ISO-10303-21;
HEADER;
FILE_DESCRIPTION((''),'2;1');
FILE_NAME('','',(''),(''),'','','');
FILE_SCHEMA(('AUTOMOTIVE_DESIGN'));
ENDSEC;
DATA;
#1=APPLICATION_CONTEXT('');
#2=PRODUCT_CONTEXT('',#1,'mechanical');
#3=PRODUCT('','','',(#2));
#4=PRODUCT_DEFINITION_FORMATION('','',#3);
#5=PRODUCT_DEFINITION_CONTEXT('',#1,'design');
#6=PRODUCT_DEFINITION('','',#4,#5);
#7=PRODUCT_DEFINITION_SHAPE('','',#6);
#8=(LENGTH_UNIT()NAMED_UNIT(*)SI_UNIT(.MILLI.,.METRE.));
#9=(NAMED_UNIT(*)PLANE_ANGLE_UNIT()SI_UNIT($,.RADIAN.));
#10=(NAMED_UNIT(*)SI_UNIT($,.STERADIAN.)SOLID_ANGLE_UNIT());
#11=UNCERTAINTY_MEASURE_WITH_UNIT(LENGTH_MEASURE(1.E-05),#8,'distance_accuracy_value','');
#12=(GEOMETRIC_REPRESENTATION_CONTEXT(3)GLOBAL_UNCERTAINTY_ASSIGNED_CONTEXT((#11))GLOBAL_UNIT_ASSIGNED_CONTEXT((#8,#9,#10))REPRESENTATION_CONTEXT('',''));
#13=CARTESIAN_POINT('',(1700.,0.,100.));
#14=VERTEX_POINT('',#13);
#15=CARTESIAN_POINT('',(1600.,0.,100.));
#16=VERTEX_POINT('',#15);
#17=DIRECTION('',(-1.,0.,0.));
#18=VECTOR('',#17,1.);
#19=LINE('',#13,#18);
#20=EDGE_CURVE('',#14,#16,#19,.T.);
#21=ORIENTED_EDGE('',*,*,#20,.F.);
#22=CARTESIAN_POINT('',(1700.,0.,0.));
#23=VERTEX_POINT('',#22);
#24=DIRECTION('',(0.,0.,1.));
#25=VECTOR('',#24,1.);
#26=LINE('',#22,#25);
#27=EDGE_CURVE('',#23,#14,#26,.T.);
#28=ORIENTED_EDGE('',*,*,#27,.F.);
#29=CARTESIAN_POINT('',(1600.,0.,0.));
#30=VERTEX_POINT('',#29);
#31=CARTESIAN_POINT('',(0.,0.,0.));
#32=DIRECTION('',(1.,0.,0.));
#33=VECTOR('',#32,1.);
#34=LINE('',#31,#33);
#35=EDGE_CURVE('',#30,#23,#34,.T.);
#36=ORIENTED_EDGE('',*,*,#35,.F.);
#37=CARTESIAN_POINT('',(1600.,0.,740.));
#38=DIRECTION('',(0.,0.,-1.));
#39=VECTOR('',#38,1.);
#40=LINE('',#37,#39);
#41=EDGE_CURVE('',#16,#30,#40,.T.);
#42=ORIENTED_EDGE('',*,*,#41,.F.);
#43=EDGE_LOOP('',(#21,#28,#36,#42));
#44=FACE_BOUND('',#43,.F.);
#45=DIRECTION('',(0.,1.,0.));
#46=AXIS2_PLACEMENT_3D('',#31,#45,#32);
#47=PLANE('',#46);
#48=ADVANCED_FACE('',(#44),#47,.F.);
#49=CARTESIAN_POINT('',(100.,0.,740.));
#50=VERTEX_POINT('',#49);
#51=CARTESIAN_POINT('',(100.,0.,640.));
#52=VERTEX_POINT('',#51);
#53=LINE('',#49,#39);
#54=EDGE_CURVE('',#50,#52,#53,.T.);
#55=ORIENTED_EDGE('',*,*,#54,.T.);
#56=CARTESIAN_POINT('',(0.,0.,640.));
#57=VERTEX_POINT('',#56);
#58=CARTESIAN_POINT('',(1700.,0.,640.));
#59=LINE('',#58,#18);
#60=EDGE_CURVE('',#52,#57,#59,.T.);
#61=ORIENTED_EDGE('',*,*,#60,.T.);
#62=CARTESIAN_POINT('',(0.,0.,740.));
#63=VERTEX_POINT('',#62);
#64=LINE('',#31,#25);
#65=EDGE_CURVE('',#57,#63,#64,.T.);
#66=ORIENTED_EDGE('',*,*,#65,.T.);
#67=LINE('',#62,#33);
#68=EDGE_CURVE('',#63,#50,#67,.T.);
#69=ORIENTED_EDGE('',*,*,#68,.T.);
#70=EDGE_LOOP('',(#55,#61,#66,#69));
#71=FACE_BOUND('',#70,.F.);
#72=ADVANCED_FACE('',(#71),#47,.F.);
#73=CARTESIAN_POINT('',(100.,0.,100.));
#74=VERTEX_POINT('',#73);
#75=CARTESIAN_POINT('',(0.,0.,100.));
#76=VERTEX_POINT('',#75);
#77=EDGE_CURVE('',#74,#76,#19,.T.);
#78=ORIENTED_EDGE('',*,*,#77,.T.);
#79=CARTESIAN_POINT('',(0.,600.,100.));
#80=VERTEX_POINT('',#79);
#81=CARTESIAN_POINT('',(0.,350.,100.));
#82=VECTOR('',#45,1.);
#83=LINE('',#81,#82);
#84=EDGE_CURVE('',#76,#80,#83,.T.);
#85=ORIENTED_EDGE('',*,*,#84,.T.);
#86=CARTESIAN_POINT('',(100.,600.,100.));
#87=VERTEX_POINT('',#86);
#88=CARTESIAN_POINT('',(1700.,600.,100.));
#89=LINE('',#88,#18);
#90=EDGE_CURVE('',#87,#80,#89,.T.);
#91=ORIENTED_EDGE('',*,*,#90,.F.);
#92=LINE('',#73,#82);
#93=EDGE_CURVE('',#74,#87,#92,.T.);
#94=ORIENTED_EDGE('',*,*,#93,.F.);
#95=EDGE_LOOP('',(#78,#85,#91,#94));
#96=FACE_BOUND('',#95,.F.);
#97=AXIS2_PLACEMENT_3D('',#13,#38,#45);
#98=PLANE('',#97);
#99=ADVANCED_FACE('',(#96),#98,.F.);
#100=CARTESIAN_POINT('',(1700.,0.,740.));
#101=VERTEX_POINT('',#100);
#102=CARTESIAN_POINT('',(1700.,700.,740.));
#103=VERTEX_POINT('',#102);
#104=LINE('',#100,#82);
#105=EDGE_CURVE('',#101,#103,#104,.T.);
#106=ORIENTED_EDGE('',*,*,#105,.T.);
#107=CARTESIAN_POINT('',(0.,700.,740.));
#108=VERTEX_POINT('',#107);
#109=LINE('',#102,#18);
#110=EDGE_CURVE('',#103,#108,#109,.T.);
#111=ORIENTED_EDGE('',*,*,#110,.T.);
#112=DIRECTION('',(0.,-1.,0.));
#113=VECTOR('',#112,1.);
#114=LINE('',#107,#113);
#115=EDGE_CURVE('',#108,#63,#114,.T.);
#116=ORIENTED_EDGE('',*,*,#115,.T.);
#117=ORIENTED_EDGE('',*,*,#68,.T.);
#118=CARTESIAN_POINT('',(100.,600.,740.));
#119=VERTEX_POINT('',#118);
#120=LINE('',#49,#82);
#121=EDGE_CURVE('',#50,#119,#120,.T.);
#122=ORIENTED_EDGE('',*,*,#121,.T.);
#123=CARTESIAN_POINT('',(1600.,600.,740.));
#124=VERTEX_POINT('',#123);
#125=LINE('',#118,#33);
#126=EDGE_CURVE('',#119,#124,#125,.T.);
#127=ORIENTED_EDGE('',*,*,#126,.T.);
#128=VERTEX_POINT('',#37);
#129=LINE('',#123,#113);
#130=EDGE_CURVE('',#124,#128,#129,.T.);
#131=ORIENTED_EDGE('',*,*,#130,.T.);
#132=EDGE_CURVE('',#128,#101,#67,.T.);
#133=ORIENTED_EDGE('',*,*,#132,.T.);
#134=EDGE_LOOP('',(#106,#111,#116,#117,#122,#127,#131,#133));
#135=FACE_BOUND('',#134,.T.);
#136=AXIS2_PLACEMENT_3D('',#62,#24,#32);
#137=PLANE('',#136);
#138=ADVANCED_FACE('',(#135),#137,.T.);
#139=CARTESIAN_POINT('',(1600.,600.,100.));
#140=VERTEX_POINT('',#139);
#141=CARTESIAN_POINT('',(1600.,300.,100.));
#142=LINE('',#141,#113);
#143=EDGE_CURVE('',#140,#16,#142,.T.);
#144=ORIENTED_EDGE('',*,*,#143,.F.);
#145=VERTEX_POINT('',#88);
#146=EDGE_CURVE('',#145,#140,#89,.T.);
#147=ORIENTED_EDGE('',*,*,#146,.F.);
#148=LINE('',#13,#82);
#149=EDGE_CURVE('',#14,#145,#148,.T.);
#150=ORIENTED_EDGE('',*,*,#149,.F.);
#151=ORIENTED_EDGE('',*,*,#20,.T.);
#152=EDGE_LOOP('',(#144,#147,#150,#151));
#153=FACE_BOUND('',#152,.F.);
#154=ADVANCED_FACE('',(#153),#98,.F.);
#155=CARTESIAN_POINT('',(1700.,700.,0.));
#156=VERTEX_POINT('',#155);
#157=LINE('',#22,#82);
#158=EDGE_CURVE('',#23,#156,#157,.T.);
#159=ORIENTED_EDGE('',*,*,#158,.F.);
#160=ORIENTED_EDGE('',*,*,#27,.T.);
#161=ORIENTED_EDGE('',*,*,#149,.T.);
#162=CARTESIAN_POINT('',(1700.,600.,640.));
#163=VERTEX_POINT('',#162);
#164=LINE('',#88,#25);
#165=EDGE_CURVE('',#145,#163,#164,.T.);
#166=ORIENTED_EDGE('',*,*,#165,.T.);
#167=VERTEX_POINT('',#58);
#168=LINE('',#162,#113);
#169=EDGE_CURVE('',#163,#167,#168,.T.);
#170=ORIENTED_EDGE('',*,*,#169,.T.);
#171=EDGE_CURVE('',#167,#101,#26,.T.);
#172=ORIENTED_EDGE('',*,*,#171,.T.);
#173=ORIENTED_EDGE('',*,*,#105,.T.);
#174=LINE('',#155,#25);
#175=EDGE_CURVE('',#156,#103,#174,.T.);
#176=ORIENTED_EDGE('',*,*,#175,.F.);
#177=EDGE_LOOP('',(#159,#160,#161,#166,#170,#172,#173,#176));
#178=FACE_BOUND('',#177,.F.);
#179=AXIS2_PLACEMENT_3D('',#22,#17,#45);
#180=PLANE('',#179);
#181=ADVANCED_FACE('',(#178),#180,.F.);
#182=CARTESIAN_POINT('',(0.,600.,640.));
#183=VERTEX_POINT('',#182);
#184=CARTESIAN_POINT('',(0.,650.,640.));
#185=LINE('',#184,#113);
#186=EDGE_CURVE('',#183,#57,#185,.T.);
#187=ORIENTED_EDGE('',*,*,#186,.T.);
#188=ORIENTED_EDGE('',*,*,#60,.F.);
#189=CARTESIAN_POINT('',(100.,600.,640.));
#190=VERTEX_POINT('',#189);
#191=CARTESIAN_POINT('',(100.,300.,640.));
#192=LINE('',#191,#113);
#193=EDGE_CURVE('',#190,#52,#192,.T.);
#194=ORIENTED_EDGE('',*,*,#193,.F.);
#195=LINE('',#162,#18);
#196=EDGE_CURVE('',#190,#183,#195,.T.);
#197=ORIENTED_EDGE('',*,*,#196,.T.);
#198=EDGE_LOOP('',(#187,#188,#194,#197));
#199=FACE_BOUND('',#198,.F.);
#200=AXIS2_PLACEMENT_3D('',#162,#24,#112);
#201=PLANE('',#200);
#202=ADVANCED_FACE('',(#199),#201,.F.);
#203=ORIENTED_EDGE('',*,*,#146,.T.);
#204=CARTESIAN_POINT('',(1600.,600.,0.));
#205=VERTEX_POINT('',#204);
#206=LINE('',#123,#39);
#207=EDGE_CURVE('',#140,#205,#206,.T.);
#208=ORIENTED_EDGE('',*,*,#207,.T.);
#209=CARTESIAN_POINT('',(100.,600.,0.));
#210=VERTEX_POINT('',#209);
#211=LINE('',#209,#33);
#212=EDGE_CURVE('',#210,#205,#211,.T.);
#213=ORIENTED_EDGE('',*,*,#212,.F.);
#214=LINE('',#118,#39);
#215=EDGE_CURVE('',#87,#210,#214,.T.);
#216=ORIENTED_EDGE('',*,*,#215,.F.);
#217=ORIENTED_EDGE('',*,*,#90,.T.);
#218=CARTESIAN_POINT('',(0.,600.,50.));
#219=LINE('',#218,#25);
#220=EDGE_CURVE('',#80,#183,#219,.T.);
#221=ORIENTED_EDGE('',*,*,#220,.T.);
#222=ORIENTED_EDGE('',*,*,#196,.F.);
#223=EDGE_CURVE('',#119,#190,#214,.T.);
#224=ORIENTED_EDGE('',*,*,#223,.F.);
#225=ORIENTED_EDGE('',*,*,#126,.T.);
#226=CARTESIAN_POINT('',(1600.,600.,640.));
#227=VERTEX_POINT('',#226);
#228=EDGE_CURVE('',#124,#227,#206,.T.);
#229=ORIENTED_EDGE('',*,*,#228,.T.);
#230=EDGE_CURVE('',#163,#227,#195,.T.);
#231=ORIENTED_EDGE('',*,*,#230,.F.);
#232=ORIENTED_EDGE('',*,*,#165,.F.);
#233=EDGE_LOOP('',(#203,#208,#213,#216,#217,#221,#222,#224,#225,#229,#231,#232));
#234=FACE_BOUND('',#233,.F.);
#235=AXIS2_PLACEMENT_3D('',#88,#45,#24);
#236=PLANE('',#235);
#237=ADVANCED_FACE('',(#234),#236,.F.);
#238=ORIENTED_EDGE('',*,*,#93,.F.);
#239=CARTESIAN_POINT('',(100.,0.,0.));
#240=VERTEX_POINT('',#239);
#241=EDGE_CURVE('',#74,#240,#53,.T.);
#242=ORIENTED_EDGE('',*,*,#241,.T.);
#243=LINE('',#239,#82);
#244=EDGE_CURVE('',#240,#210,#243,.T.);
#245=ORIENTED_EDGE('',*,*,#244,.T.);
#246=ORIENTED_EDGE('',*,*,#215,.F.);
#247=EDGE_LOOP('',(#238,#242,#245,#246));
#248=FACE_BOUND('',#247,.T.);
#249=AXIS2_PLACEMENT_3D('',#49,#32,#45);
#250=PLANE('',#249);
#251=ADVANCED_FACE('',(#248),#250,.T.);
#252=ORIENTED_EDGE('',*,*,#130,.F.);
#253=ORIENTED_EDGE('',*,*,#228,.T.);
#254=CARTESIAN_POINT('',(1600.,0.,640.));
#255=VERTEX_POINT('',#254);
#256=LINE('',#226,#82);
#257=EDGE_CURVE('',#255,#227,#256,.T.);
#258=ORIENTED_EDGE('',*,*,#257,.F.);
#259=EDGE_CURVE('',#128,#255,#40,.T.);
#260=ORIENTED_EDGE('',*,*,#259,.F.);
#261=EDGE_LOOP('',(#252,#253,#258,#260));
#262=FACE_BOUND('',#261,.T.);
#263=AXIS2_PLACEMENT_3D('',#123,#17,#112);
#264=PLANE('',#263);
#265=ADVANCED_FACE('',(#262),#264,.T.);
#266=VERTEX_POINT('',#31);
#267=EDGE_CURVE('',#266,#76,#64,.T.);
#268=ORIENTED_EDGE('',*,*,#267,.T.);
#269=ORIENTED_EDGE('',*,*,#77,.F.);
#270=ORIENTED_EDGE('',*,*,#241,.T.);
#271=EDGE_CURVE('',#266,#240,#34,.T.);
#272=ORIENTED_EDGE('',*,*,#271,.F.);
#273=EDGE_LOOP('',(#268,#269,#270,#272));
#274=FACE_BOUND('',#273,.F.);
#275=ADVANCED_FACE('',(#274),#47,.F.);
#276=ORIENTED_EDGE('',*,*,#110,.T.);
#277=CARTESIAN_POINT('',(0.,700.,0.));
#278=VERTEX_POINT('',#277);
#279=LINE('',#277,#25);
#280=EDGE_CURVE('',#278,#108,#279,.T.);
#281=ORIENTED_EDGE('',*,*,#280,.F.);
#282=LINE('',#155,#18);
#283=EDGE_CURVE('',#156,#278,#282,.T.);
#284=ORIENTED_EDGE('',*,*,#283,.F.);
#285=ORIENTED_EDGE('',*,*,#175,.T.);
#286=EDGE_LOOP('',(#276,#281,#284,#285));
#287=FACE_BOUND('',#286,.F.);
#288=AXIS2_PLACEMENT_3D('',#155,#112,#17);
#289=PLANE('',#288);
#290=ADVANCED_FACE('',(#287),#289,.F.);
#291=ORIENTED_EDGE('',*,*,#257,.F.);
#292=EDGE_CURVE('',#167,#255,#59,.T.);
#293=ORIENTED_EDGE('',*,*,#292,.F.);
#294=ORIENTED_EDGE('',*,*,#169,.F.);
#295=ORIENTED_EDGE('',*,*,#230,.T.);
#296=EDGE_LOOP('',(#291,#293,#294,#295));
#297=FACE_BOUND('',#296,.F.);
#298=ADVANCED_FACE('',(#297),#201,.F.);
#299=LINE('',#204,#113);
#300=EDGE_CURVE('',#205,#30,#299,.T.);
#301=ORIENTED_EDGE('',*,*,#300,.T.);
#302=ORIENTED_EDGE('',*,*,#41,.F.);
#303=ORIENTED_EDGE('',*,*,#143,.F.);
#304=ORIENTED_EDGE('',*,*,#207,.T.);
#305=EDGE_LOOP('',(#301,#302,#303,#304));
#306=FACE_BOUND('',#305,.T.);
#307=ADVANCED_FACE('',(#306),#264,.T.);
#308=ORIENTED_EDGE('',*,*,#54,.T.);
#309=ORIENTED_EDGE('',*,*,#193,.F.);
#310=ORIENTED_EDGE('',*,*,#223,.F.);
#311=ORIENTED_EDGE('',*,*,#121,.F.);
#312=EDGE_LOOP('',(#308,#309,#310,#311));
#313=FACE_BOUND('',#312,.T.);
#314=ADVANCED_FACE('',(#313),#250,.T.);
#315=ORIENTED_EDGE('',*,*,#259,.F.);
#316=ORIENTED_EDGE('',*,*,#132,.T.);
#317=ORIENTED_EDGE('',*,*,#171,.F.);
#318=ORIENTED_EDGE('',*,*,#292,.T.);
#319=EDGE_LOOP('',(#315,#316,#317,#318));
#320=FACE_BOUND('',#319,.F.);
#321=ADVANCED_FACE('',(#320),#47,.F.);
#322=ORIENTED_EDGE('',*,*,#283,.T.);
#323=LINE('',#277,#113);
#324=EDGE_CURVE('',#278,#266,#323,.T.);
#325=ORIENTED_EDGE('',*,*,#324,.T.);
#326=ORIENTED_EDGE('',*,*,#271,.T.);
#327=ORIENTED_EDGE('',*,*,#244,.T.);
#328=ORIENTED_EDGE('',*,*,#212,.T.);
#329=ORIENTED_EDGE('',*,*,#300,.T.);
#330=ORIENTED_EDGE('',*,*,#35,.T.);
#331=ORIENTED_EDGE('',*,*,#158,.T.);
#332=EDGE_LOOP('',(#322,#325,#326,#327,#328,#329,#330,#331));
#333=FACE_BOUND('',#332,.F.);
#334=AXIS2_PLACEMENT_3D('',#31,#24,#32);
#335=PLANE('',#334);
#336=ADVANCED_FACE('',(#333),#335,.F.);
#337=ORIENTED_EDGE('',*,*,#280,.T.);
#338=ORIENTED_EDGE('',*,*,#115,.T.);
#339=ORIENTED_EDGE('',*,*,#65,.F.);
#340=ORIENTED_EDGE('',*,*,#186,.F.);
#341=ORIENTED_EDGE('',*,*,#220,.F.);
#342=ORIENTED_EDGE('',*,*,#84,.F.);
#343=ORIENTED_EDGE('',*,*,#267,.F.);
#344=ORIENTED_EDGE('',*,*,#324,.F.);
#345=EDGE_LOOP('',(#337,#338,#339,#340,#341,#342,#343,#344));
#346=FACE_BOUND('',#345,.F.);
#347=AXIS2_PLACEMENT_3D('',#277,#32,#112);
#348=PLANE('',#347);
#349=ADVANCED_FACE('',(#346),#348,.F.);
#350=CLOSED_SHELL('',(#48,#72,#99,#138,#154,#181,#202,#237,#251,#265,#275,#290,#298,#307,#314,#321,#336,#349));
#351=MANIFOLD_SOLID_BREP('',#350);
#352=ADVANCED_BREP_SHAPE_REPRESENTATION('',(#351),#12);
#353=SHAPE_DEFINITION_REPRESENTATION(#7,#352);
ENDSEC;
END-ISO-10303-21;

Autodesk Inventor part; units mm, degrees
ref_plane "YZ Plane" through (0, 0, 0) normal (1, 0, 0) x (0, 1, 0)
ref_plane "XZ Plane" through (0, 0, 0) normal (0, 1, 0) x (-1, 0, 0)
ref_plane "XY Plane" through (0, 0, 0) normal (0, 0, 1) x (1, 0, 0)
sketch "Sketch1" plane through (0, 0, 0) normal (0, 0, 1) x (1, 0, 0)
  point P0 (0, 0)
sketch "Sketch2" plane through (0, 0, 0) normal (0, 0, 1) x (1, 0, 0)
  line L0 (0, 0) -> (1700, 0)
  line L1 (1700, 0) -> (1700, 700)
  line L2 (1700, 700) -> (0, 700)
  line L3 (0, 700) -> (0, 0)
  dimension "d0" = 700
  dimension "d1" = 1700
extrude "Extrusion1" add sketch "Sketch2" along normal blind 740
sketch "Sketch3" plane through (0, 0, 740) normal (0, 0, 1) x (1, 0, 0)
  line L0 (1600, 0) -> (100, 0)
  line L1 (100, 0) -> (100, 600)
  line L2 (100, 600) -> (1600, 600)
  line L3 (1600, 600) -> (1600, 0)
  line L4 (1700, 700) -> (0, 700) projected
  line L5 (1700, 0) -> (1700, 700) projected
  line L6 (0, 700) -> (0, 0) projected
  dimension "d4" = 100
  dimension "d5" = 100
  dimension "d6" = 100
extrude "Extrusion2" cut sketch "Sketch3" against normal blind 740
sketch "Sketch4" plane through (1700, 0, 0) normal (1, 0, 0) x (0, 0, -1)
  line L0 (0, 0) -> (-740, 0) projected
  line L1 (-640, 0) -> (-100, 0)
  line L2 (-100, 0) -> (-100, 600)
  line L3 (-100, 600) -> (-640, 600)
  line L4 (-640, 600) -> (-640, 0)
  line L5 (0, 700) -> (-740, 700) projected
  line L6 (-740, 600) -> (-740, 0) projected
  line L7 (0, 0) -> (0, 700) projected
  dimension "d9" = 100
  dimension "d10" = 100
  dimension "d11" = 100
extrude "Extrusion3" cut sketch "Sketch4" against normal blind 4000
properties part number "computerBottom" material "Aluminum 6061, Welded"
